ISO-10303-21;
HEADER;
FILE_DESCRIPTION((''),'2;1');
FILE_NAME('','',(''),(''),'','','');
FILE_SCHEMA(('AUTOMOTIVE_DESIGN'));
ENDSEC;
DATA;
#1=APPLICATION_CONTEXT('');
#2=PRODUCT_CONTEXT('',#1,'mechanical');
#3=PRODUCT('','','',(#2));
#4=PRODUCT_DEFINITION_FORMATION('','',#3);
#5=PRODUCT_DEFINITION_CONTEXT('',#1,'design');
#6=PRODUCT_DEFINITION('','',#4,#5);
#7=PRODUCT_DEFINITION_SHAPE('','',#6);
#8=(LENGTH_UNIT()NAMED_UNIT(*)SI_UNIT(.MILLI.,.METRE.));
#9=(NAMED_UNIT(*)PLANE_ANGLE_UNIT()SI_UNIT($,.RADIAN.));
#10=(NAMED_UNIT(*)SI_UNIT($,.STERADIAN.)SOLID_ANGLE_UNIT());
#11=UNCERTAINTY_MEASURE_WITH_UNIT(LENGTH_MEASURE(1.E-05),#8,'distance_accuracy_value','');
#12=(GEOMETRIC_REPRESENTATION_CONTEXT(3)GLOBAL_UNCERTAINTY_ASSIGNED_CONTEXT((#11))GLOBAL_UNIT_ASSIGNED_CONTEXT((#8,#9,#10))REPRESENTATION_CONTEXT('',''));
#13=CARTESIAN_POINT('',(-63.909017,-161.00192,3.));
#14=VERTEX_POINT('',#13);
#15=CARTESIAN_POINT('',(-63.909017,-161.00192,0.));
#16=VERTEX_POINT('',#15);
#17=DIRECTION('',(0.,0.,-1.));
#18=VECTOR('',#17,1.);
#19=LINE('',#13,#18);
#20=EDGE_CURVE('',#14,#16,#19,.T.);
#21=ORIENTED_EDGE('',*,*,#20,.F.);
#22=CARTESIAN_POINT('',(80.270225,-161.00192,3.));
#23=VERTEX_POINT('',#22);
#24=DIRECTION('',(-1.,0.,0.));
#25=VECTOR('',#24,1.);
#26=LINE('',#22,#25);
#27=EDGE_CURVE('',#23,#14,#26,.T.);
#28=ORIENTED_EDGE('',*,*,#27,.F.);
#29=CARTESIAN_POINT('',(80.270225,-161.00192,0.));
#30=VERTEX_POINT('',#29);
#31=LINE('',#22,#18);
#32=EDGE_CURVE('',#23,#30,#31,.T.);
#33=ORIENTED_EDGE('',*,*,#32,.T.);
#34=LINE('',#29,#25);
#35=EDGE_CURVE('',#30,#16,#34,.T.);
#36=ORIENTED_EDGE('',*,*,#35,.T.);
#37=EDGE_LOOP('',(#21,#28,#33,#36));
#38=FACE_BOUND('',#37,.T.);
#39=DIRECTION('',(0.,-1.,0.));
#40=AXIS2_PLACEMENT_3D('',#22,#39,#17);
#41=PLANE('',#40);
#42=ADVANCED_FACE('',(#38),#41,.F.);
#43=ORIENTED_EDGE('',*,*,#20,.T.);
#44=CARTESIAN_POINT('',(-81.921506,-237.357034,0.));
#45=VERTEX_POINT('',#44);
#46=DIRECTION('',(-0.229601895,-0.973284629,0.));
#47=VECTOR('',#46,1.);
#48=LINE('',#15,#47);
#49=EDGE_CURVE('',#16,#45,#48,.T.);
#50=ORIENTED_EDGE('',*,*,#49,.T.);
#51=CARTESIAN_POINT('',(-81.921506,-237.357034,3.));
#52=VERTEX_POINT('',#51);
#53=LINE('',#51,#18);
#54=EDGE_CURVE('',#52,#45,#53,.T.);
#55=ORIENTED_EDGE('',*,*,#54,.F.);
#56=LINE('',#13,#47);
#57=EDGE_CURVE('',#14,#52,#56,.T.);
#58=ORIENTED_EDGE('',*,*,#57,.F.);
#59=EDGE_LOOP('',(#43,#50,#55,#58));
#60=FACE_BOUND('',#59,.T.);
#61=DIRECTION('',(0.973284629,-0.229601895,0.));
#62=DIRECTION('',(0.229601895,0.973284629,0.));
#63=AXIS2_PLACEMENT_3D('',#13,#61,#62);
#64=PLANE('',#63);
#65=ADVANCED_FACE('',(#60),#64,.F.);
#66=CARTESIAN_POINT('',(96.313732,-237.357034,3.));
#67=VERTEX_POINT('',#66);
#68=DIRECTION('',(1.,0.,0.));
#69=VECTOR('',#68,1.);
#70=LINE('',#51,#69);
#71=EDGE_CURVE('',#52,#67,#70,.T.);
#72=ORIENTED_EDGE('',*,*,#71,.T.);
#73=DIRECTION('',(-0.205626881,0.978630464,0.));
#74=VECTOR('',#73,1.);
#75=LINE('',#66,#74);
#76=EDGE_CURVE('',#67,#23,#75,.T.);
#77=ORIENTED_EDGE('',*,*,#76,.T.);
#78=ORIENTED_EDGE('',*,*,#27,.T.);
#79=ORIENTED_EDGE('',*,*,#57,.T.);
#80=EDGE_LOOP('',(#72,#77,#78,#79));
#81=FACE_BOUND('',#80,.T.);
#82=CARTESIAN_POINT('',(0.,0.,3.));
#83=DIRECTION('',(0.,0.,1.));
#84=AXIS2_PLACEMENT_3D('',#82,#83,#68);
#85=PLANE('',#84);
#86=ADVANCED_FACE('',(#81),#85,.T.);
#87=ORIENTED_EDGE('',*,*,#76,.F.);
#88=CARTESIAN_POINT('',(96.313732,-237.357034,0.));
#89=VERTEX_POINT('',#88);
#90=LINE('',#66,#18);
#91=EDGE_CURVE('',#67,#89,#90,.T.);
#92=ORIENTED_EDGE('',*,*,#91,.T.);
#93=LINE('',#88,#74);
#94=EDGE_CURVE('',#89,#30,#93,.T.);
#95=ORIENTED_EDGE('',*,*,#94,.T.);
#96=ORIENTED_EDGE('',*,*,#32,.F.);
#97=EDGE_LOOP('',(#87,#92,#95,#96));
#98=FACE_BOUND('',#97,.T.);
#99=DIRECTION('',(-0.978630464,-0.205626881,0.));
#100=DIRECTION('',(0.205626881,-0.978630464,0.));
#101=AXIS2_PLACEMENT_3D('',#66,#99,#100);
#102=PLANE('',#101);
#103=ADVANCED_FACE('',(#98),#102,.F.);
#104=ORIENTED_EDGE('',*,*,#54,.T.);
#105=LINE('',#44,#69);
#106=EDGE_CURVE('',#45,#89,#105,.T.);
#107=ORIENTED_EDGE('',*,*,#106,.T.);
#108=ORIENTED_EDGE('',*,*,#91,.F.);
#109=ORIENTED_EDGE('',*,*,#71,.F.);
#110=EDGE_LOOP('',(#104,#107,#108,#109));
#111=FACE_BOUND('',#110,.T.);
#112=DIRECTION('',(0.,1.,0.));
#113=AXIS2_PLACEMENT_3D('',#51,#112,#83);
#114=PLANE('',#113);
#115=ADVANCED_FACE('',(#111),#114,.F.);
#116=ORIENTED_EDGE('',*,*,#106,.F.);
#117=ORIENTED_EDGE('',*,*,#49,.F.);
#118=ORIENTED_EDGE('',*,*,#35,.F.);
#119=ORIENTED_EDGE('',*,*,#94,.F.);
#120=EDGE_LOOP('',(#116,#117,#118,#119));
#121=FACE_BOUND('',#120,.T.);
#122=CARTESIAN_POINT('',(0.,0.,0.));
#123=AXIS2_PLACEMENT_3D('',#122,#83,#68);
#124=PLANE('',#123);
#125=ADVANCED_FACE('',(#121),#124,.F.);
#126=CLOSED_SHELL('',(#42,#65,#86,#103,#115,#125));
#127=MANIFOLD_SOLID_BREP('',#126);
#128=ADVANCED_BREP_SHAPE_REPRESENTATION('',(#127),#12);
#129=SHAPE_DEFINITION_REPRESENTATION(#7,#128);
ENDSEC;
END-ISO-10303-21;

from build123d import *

# Parameters (mm, degrees)
BOSS_EXTRU_1_DEPTH = 3


with BuildPart() as part:
    # Esquisse1 → Boss.-Extru.1 (new body)
    with BuildSketch(Plane.XY):
        Polygon((96.313731619, -237.357033995), (80.270225398, -161.001919903), (-63.909016678, -161.001919903), (-81.921505864, -237.357033995), align=None)
    extrude(amount=BOSS_EXTRU_1_DEPTH)


solid = part.part
